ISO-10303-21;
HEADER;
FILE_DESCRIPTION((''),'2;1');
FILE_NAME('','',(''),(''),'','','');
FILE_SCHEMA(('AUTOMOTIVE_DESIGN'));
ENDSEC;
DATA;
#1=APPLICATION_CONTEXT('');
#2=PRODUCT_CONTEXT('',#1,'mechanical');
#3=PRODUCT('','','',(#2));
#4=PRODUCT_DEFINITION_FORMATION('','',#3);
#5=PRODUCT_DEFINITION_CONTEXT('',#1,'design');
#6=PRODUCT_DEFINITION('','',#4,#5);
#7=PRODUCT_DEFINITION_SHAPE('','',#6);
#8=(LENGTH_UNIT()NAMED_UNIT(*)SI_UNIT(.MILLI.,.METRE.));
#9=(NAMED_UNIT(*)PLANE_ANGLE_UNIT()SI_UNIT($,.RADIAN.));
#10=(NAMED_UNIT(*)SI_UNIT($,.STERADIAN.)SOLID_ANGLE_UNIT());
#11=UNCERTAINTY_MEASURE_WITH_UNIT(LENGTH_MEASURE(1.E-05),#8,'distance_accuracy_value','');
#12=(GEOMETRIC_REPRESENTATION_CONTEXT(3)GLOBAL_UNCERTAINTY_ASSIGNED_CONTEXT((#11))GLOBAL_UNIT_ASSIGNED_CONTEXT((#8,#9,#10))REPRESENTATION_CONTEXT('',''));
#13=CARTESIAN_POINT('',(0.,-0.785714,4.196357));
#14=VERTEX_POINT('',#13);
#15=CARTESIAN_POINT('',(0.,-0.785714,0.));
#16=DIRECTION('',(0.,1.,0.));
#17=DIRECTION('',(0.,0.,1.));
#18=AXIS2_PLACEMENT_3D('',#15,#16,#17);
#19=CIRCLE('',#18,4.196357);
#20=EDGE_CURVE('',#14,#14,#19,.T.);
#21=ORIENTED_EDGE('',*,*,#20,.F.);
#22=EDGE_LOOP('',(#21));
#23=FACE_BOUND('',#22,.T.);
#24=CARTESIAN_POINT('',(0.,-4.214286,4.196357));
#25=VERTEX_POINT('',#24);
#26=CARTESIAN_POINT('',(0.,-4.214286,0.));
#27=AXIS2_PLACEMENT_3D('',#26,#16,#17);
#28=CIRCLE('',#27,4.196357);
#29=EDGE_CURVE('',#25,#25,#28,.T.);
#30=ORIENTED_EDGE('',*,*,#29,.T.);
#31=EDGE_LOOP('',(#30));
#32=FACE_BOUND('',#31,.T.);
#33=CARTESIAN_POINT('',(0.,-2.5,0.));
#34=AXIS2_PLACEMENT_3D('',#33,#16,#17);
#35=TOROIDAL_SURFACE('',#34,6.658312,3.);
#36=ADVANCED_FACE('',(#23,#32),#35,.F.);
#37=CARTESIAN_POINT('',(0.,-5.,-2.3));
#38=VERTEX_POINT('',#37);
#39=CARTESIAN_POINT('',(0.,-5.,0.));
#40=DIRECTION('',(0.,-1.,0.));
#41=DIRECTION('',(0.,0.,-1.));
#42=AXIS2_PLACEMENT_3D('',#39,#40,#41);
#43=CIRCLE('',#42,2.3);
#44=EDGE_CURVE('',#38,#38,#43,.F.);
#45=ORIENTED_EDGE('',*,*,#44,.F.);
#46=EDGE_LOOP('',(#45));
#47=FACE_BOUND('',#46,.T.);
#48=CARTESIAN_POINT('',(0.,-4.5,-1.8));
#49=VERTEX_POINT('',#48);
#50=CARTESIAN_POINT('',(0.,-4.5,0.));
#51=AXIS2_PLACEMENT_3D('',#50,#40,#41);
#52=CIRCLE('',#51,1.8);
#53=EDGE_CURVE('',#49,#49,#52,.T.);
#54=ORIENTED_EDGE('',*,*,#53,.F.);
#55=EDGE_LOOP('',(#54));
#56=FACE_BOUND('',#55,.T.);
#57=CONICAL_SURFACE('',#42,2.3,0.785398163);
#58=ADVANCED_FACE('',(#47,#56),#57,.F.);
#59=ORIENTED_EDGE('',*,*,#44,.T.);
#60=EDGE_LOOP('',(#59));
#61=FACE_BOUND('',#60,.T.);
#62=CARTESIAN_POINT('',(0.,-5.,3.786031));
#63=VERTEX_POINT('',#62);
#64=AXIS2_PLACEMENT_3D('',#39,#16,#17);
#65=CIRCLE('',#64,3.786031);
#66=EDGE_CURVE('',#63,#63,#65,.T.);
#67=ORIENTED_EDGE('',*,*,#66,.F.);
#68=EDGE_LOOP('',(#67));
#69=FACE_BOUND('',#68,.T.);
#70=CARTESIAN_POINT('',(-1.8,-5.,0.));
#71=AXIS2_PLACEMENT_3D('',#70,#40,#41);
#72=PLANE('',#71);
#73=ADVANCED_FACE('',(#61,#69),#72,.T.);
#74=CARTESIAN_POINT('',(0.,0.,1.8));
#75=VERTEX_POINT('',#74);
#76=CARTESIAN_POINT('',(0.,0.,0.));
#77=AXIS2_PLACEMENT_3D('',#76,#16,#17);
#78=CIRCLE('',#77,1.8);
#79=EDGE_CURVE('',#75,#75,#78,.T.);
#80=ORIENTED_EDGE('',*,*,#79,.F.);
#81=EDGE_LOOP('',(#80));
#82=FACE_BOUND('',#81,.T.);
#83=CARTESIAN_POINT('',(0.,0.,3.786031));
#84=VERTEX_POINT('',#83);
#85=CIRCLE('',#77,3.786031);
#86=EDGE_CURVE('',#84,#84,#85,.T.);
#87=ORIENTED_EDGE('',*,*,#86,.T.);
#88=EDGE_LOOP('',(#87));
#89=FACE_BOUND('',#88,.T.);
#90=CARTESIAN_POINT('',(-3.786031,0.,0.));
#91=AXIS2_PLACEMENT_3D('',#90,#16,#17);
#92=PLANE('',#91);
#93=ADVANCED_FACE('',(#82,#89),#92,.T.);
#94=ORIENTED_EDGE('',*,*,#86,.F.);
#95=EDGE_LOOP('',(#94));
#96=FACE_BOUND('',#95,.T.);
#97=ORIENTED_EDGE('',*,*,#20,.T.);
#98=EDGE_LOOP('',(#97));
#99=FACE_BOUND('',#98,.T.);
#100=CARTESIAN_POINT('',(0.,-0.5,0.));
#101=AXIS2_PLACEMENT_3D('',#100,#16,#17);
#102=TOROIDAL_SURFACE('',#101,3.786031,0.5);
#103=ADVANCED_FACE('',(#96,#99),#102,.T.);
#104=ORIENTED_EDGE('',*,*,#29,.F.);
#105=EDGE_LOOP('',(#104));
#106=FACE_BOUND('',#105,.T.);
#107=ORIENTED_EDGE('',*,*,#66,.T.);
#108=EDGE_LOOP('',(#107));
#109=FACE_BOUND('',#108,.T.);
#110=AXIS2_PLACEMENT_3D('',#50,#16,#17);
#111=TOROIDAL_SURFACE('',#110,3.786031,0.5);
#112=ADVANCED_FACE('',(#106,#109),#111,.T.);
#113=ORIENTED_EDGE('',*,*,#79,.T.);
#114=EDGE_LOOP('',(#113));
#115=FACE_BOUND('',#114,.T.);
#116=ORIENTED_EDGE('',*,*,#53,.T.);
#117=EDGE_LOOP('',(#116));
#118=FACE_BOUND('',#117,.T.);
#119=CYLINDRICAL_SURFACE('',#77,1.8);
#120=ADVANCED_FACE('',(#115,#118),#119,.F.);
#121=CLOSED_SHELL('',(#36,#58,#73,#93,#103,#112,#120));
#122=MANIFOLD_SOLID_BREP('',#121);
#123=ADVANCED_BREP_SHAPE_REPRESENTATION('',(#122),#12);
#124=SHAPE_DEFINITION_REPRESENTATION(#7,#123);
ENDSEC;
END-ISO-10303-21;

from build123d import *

# Parameters (mm, degrees)
CHAMFER1_SIZE = 0.5


with BuildPart() as part:
    # Sketch1 → Revolve1 (revolve)
    with BuildSketch(Plane.XY, mode=Mode.PRIVATE) as revolve1_sk:
        with BuildLine():
            Line((-3.786031072, 0), (-1.8, 0))
            Line((-1.8, 0), (-1.8, -5))
            Line((-1.8, -5), (-3.786031072, -5))
            ThreePointArc((-3.786031072, -5), (-4.229233702, -4.731455025), (-4.196356975, -4.214285714))
            ThreePointArc((-4.196356975, -4.214285714), (-3.658312395, -2.5), (-4.196356975, -0.785714286))
            ThreePointArc((-4.196356975, -0.785714286), (-4.229233702, -0.268544975), (-3.786031072, 0))
        make_face()
    revolve(revolve1_sk.sketch.rotate(Axis((0, 0, 0), (0, -1, 0)), 270), axis=Axis((0, 0, 0), (0, -1, 0)))

    # Chamfer1
    chamfer1_edges = [part.edges().sort_by_distance(p)[0] for p in [
        (0, -5, -1.8),
    ]]
    chamfer(chamfer1_edges, length=CHAMFER1_SIZE)


solid = part.part
